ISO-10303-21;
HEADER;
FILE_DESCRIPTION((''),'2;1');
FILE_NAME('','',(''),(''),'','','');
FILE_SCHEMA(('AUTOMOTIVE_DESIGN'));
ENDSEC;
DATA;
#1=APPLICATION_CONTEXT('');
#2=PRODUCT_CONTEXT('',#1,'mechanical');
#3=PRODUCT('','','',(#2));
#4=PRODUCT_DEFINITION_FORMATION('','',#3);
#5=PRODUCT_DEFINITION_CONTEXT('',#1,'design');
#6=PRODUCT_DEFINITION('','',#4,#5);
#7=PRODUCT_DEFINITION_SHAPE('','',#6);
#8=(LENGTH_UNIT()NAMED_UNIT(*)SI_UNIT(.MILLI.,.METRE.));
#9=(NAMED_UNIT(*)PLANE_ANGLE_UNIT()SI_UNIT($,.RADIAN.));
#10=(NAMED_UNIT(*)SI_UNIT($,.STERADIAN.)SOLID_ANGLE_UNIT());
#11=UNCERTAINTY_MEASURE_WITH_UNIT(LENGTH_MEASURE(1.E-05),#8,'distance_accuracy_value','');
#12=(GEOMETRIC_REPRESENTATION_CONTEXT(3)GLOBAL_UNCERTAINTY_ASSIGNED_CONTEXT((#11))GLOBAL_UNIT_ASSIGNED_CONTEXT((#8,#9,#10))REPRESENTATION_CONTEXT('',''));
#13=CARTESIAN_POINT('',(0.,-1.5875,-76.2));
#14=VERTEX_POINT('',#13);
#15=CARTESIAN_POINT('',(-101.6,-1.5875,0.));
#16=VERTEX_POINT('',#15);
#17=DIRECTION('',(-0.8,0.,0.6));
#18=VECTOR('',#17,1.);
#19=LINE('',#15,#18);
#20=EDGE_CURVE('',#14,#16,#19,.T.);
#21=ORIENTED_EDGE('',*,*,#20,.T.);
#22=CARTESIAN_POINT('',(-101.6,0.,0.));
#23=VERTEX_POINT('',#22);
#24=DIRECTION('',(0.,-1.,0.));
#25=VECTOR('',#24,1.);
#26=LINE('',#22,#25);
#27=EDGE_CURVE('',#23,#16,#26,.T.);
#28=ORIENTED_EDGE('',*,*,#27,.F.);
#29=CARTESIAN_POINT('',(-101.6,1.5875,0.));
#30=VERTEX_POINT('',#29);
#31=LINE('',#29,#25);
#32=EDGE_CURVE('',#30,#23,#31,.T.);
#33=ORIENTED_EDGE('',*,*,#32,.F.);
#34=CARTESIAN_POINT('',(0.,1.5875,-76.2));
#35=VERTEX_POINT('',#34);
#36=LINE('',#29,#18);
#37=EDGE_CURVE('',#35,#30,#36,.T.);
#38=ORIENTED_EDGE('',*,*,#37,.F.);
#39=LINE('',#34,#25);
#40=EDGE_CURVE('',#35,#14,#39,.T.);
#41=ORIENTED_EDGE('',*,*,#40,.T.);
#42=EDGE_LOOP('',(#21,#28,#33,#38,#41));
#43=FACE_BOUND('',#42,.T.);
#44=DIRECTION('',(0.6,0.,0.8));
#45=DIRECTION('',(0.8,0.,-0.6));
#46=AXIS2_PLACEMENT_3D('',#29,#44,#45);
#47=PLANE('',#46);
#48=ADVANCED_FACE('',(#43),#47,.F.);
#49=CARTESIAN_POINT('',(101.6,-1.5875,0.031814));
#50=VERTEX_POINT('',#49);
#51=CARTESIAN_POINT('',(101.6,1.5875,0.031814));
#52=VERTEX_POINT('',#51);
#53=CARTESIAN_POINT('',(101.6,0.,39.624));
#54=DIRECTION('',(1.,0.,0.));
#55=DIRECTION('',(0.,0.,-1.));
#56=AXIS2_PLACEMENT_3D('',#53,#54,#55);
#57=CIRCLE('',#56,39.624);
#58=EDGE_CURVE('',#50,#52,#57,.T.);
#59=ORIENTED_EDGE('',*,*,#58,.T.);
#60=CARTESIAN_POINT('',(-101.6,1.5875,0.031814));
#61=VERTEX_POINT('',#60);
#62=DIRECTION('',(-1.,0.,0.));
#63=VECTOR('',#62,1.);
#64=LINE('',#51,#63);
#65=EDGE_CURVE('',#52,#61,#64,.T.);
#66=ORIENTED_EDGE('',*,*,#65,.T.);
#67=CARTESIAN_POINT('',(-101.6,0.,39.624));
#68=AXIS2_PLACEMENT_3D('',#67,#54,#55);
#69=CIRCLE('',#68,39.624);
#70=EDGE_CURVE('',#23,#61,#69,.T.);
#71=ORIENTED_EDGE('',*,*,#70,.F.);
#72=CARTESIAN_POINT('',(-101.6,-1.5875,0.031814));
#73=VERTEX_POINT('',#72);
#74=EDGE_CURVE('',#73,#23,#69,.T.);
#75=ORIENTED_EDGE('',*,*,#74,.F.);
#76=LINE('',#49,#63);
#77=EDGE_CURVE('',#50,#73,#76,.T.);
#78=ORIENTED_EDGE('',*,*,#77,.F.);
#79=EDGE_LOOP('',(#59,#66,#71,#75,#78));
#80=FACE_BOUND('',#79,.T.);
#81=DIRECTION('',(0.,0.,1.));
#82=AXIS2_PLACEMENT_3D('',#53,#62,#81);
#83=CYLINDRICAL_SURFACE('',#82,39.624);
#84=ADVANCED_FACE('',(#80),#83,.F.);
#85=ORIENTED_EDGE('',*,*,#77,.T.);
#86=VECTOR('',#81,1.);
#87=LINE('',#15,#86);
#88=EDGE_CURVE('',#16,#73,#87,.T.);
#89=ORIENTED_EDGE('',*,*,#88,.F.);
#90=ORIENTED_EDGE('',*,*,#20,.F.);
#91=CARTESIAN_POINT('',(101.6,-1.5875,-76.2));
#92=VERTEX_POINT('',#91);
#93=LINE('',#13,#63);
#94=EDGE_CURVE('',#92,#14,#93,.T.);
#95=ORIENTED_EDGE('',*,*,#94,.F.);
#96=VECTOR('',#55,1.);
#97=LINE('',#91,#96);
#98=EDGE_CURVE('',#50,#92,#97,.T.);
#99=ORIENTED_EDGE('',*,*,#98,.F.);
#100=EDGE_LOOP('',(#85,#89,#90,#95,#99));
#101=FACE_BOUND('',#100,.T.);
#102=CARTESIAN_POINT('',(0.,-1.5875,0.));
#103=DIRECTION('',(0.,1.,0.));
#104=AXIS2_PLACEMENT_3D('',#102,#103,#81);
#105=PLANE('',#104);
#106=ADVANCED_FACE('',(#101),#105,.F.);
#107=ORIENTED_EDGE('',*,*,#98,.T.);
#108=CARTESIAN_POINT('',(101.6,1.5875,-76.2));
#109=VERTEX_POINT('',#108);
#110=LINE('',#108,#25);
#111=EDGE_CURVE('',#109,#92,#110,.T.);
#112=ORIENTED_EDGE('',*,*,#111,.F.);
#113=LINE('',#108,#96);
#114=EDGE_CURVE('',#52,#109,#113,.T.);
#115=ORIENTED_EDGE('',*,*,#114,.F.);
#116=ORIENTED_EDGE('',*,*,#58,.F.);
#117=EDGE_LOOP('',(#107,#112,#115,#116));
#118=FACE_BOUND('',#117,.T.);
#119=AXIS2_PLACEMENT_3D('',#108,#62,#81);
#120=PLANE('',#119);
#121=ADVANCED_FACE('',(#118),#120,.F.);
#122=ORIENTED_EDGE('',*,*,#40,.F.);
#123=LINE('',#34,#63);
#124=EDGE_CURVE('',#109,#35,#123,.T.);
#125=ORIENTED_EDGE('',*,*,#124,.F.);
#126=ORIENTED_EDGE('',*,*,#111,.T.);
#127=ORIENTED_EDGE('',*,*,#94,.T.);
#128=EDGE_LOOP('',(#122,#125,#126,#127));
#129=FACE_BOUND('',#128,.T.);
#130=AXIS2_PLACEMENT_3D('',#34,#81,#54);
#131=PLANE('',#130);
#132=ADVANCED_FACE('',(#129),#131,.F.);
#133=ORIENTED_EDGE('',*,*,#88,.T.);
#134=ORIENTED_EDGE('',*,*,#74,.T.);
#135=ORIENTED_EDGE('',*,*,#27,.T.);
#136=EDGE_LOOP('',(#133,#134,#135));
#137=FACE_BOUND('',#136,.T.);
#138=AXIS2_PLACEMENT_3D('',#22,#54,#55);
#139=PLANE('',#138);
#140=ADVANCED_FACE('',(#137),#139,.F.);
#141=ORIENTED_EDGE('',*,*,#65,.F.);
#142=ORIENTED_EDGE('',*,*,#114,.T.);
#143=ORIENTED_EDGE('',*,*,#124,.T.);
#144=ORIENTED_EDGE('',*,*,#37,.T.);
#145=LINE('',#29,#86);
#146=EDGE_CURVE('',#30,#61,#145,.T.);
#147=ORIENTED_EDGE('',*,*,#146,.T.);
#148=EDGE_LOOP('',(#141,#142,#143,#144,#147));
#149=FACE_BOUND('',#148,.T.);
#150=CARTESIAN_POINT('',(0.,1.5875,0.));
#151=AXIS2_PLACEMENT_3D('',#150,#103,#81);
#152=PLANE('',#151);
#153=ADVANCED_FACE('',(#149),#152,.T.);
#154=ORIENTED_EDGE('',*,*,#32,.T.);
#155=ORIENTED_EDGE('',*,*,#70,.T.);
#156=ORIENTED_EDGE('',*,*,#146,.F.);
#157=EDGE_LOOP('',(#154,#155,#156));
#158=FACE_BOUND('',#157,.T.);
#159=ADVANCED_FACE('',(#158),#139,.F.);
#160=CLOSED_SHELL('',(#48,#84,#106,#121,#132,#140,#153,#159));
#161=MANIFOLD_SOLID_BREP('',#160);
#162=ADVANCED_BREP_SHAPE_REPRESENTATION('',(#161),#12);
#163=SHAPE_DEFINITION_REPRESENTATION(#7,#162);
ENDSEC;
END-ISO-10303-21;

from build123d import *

# Parameters (mm, degrees)
BOSS_EXTRUDE1_DEPTH = 1.5875
BOSS_EXTRUDE2_DEPTH = 101.6


with BuildPart() as part:
    # Sketch1 → Boss-Extrude1 (new, symmetric)
    with BuildSketch(Plane(origin=(0, 0, 0), x_dir=(1, 0, 0), z_dir=(0, 1, 0))):
        Polygon((-101.6, 0), (101.6, 0), (101.6, 76.2), (0, 76.2), align=None)
    extrude(amount=BOSS_EXTRUDE1_DEPTH, both=True)

    # Sketch2 → Boss-Extrude2 (add, symmetric)
    with BuildSketch(Plane(origin=(0, 0, 0), x_dir=(0, 0, -1), z_dir=(1, 0, 0))):
        with BuildLine():
            ThreePointArc((-0.007951018, -0.79375), (-0.017893832, -1.190684781), (-0.031813653, -1.5875))
            Line((-0.031813653, -1.5875), (0, -1.5875))
            Line((0, -1.5875), (-0.007951018, -0.79375))
        make_face()
        with BuildLine():
            Line((0, -1.5875), (0, 0))
            ThreePointArc((0, 0), (-0.001987804, -0.396894911), (-0.007951018, -0.79375))
            Line((-0.007951018, -0.79375), (0, -1.5875))
        make_face()
        with BuildLine():
            Line((0, 0), (0, 1.5875))
            Line((0, 1.5875), (-0.031813653, 1.5875))
            ThreePointArc((-0.031813653, 1.5875), (-0.007954212, 0.793909371), (0, 0))
        make_face()
    extrude(amount=BOSS_EXTRUDE2_DEPTH, both=True)


solid = part.part
